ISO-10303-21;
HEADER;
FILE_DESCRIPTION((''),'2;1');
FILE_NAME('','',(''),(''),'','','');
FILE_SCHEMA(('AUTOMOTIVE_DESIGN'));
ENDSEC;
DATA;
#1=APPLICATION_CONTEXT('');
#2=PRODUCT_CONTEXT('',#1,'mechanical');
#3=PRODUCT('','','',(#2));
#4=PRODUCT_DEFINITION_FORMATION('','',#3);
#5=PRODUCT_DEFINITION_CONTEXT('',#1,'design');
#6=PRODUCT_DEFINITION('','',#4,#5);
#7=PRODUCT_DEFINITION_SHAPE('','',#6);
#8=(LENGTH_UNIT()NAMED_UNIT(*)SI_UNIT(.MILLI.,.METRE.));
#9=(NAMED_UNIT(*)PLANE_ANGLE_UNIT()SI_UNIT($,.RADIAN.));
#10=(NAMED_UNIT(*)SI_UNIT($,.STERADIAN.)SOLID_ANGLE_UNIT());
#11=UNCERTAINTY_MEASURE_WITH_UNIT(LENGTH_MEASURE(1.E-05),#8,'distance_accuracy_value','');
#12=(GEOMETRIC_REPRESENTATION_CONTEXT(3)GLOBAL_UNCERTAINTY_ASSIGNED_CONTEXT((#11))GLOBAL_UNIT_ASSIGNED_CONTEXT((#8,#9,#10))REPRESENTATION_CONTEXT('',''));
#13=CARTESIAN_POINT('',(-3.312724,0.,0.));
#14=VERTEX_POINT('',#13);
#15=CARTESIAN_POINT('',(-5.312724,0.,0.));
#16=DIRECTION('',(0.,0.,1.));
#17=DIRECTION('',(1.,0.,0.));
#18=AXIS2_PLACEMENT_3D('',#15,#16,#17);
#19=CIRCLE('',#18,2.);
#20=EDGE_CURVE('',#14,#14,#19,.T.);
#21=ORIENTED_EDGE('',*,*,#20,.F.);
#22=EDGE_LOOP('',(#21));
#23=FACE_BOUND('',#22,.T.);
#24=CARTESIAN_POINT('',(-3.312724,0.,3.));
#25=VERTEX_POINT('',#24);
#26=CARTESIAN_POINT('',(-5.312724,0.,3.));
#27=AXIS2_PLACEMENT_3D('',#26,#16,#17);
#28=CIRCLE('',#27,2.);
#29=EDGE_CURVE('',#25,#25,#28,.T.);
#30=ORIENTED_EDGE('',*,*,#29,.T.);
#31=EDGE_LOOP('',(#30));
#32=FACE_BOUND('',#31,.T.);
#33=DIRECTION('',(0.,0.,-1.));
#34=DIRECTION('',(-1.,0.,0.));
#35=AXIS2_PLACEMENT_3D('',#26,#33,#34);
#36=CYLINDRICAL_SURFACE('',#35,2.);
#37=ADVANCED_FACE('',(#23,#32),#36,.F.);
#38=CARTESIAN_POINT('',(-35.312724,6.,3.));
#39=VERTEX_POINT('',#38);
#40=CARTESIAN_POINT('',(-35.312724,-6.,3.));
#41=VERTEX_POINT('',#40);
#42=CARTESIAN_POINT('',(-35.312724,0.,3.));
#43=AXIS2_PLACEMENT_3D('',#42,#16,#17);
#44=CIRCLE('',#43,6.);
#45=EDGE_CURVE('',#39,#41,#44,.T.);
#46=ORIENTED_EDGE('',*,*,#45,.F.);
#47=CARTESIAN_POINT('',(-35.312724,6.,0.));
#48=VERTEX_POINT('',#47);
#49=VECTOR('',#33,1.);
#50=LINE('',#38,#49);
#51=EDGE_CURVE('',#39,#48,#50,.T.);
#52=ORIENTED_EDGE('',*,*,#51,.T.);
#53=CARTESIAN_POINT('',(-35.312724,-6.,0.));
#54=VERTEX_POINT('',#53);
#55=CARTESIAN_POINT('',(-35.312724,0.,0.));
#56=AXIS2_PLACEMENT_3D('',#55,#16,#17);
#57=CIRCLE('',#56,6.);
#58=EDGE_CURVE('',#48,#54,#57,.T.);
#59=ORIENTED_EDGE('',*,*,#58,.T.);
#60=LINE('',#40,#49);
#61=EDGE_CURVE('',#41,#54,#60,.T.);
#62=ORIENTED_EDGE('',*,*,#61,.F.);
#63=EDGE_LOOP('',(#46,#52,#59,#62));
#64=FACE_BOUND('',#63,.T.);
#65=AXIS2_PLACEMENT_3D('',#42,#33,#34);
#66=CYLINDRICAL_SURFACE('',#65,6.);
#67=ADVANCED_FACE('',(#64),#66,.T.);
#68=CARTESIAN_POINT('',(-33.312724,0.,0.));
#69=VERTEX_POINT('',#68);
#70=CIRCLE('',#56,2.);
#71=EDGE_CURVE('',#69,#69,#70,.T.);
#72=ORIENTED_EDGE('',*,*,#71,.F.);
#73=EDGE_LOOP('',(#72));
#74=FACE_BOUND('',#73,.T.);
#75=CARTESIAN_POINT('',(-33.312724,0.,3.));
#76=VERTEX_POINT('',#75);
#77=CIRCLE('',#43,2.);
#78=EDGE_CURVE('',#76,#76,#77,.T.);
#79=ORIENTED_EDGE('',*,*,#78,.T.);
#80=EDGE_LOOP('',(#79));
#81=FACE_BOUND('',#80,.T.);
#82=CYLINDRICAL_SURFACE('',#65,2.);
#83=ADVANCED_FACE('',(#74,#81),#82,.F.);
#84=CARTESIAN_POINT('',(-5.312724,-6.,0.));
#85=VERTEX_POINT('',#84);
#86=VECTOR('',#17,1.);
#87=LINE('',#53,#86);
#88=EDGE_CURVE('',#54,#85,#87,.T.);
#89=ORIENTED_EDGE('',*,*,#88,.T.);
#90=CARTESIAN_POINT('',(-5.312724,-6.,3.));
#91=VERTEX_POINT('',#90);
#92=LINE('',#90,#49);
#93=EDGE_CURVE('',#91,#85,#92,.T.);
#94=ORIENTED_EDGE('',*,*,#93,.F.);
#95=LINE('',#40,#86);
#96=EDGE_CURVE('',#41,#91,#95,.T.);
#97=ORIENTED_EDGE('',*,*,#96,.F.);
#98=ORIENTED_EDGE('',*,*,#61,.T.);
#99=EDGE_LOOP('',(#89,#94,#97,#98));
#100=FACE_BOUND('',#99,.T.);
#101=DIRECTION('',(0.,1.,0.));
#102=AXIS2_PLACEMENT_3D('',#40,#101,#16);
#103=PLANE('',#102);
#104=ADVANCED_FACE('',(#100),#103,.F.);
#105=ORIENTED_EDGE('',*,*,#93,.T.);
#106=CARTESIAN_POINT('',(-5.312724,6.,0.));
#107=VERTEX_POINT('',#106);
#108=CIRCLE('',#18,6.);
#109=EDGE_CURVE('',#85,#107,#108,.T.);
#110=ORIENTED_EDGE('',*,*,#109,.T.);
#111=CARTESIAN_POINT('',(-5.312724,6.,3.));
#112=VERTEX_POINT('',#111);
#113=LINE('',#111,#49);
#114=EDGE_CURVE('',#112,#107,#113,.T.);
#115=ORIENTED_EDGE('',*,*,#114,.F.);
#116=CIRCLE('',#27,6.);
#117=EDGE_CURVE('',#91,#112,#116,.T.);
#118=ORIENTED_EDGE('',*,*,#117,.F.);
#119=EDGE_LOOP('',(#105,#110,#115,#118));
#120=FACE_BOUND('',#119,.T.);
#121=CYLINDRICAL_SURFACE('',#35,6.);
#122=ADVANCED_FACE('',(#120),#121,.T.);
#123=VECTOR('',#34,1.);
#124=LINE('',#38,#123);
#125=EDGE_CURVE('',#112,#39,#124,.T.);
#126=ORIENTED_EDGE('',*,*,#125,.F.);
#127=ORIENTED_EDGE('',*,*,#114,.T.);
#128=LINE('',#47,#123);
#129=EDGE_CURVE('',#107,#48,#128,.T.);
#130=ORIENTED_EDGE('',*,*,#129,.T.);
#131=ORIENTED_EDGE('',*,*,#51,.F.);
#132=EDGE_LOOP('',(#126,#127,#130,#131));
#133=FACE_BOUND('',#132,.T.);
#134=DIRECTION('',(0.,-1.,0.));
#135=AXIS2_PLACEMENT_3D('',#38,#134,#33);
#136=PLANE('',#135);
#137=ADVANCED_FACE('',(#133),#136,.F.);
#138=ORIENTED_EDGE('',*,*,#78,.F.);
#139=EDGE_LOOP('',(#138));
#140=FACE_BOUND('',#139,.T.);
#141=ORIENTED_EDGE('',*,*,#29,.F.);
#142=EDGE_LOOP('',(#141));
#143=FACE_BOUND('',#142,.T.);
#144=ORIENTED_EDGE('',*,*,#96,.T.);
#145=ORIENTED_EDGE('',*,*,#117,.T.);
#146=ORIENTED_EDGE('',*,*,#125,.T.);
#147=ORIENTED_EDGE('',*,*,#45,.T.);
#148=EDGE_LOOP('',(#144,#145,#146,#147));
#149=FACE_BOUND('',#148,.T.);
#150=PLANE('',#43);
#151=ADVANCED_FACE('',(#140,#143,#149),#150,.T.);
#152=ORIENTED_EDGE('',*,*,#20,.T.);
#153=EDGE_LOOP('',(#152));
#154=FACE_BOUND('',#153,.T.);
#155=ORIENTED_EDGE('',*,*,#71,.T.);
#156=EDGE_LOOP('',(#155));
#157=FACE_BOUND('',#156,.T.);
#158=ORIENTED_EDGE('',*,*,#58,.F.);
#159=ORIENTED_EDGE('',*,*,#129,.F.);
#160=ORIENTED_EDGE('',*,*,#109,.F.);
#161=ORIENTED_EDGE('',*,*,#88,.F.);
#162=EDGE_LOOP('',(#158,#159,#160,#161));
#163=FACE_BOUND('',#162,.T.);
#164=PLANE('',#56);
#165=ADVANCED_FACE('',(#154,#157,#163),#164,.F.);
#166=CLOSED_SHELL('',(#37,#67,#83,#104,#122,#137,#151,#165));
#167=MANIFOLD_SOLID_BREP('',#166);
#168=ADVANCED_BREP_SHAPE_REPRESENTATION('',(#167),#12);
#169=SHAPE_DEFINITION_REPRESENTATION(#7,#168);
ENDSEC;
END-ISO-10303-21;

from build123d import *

# Parameters (mm, degrees)
SKETCH1_R           = 2
BOSS_EXTRUDE3_DEPTH = 3


with BuildPart() as part:
    # Sketch1 → Boss-Extrude3 (new body)
    with BuildSketch(Plane.XY):
        with BuildLine():
            Line((-35.312724167, 6), (-5.312724167, 6))
            ThreePointArc((-5.312724167, 6), (0.687275833, 0), (-5.312724167, -6))
            Line((-5.312724167, -6), (-35.312724167, -6))
            ThreePointArc((-35.312724167, -6), (-41.312724167, 0), (-35.312724167, 6))
        make_face()
        with Locations((-35.312724167, 0)):
            Circle(SKETCH1_R, mode=Mode.SUBTRACT)
        with Locations((-5.312724167, 0)):
            Circle(SKETCH1_R, mode=Mode.SUBTRACT)
    extrude(amount=BOSS_EXTRUDE3_DEPTH)


solid = part.part
